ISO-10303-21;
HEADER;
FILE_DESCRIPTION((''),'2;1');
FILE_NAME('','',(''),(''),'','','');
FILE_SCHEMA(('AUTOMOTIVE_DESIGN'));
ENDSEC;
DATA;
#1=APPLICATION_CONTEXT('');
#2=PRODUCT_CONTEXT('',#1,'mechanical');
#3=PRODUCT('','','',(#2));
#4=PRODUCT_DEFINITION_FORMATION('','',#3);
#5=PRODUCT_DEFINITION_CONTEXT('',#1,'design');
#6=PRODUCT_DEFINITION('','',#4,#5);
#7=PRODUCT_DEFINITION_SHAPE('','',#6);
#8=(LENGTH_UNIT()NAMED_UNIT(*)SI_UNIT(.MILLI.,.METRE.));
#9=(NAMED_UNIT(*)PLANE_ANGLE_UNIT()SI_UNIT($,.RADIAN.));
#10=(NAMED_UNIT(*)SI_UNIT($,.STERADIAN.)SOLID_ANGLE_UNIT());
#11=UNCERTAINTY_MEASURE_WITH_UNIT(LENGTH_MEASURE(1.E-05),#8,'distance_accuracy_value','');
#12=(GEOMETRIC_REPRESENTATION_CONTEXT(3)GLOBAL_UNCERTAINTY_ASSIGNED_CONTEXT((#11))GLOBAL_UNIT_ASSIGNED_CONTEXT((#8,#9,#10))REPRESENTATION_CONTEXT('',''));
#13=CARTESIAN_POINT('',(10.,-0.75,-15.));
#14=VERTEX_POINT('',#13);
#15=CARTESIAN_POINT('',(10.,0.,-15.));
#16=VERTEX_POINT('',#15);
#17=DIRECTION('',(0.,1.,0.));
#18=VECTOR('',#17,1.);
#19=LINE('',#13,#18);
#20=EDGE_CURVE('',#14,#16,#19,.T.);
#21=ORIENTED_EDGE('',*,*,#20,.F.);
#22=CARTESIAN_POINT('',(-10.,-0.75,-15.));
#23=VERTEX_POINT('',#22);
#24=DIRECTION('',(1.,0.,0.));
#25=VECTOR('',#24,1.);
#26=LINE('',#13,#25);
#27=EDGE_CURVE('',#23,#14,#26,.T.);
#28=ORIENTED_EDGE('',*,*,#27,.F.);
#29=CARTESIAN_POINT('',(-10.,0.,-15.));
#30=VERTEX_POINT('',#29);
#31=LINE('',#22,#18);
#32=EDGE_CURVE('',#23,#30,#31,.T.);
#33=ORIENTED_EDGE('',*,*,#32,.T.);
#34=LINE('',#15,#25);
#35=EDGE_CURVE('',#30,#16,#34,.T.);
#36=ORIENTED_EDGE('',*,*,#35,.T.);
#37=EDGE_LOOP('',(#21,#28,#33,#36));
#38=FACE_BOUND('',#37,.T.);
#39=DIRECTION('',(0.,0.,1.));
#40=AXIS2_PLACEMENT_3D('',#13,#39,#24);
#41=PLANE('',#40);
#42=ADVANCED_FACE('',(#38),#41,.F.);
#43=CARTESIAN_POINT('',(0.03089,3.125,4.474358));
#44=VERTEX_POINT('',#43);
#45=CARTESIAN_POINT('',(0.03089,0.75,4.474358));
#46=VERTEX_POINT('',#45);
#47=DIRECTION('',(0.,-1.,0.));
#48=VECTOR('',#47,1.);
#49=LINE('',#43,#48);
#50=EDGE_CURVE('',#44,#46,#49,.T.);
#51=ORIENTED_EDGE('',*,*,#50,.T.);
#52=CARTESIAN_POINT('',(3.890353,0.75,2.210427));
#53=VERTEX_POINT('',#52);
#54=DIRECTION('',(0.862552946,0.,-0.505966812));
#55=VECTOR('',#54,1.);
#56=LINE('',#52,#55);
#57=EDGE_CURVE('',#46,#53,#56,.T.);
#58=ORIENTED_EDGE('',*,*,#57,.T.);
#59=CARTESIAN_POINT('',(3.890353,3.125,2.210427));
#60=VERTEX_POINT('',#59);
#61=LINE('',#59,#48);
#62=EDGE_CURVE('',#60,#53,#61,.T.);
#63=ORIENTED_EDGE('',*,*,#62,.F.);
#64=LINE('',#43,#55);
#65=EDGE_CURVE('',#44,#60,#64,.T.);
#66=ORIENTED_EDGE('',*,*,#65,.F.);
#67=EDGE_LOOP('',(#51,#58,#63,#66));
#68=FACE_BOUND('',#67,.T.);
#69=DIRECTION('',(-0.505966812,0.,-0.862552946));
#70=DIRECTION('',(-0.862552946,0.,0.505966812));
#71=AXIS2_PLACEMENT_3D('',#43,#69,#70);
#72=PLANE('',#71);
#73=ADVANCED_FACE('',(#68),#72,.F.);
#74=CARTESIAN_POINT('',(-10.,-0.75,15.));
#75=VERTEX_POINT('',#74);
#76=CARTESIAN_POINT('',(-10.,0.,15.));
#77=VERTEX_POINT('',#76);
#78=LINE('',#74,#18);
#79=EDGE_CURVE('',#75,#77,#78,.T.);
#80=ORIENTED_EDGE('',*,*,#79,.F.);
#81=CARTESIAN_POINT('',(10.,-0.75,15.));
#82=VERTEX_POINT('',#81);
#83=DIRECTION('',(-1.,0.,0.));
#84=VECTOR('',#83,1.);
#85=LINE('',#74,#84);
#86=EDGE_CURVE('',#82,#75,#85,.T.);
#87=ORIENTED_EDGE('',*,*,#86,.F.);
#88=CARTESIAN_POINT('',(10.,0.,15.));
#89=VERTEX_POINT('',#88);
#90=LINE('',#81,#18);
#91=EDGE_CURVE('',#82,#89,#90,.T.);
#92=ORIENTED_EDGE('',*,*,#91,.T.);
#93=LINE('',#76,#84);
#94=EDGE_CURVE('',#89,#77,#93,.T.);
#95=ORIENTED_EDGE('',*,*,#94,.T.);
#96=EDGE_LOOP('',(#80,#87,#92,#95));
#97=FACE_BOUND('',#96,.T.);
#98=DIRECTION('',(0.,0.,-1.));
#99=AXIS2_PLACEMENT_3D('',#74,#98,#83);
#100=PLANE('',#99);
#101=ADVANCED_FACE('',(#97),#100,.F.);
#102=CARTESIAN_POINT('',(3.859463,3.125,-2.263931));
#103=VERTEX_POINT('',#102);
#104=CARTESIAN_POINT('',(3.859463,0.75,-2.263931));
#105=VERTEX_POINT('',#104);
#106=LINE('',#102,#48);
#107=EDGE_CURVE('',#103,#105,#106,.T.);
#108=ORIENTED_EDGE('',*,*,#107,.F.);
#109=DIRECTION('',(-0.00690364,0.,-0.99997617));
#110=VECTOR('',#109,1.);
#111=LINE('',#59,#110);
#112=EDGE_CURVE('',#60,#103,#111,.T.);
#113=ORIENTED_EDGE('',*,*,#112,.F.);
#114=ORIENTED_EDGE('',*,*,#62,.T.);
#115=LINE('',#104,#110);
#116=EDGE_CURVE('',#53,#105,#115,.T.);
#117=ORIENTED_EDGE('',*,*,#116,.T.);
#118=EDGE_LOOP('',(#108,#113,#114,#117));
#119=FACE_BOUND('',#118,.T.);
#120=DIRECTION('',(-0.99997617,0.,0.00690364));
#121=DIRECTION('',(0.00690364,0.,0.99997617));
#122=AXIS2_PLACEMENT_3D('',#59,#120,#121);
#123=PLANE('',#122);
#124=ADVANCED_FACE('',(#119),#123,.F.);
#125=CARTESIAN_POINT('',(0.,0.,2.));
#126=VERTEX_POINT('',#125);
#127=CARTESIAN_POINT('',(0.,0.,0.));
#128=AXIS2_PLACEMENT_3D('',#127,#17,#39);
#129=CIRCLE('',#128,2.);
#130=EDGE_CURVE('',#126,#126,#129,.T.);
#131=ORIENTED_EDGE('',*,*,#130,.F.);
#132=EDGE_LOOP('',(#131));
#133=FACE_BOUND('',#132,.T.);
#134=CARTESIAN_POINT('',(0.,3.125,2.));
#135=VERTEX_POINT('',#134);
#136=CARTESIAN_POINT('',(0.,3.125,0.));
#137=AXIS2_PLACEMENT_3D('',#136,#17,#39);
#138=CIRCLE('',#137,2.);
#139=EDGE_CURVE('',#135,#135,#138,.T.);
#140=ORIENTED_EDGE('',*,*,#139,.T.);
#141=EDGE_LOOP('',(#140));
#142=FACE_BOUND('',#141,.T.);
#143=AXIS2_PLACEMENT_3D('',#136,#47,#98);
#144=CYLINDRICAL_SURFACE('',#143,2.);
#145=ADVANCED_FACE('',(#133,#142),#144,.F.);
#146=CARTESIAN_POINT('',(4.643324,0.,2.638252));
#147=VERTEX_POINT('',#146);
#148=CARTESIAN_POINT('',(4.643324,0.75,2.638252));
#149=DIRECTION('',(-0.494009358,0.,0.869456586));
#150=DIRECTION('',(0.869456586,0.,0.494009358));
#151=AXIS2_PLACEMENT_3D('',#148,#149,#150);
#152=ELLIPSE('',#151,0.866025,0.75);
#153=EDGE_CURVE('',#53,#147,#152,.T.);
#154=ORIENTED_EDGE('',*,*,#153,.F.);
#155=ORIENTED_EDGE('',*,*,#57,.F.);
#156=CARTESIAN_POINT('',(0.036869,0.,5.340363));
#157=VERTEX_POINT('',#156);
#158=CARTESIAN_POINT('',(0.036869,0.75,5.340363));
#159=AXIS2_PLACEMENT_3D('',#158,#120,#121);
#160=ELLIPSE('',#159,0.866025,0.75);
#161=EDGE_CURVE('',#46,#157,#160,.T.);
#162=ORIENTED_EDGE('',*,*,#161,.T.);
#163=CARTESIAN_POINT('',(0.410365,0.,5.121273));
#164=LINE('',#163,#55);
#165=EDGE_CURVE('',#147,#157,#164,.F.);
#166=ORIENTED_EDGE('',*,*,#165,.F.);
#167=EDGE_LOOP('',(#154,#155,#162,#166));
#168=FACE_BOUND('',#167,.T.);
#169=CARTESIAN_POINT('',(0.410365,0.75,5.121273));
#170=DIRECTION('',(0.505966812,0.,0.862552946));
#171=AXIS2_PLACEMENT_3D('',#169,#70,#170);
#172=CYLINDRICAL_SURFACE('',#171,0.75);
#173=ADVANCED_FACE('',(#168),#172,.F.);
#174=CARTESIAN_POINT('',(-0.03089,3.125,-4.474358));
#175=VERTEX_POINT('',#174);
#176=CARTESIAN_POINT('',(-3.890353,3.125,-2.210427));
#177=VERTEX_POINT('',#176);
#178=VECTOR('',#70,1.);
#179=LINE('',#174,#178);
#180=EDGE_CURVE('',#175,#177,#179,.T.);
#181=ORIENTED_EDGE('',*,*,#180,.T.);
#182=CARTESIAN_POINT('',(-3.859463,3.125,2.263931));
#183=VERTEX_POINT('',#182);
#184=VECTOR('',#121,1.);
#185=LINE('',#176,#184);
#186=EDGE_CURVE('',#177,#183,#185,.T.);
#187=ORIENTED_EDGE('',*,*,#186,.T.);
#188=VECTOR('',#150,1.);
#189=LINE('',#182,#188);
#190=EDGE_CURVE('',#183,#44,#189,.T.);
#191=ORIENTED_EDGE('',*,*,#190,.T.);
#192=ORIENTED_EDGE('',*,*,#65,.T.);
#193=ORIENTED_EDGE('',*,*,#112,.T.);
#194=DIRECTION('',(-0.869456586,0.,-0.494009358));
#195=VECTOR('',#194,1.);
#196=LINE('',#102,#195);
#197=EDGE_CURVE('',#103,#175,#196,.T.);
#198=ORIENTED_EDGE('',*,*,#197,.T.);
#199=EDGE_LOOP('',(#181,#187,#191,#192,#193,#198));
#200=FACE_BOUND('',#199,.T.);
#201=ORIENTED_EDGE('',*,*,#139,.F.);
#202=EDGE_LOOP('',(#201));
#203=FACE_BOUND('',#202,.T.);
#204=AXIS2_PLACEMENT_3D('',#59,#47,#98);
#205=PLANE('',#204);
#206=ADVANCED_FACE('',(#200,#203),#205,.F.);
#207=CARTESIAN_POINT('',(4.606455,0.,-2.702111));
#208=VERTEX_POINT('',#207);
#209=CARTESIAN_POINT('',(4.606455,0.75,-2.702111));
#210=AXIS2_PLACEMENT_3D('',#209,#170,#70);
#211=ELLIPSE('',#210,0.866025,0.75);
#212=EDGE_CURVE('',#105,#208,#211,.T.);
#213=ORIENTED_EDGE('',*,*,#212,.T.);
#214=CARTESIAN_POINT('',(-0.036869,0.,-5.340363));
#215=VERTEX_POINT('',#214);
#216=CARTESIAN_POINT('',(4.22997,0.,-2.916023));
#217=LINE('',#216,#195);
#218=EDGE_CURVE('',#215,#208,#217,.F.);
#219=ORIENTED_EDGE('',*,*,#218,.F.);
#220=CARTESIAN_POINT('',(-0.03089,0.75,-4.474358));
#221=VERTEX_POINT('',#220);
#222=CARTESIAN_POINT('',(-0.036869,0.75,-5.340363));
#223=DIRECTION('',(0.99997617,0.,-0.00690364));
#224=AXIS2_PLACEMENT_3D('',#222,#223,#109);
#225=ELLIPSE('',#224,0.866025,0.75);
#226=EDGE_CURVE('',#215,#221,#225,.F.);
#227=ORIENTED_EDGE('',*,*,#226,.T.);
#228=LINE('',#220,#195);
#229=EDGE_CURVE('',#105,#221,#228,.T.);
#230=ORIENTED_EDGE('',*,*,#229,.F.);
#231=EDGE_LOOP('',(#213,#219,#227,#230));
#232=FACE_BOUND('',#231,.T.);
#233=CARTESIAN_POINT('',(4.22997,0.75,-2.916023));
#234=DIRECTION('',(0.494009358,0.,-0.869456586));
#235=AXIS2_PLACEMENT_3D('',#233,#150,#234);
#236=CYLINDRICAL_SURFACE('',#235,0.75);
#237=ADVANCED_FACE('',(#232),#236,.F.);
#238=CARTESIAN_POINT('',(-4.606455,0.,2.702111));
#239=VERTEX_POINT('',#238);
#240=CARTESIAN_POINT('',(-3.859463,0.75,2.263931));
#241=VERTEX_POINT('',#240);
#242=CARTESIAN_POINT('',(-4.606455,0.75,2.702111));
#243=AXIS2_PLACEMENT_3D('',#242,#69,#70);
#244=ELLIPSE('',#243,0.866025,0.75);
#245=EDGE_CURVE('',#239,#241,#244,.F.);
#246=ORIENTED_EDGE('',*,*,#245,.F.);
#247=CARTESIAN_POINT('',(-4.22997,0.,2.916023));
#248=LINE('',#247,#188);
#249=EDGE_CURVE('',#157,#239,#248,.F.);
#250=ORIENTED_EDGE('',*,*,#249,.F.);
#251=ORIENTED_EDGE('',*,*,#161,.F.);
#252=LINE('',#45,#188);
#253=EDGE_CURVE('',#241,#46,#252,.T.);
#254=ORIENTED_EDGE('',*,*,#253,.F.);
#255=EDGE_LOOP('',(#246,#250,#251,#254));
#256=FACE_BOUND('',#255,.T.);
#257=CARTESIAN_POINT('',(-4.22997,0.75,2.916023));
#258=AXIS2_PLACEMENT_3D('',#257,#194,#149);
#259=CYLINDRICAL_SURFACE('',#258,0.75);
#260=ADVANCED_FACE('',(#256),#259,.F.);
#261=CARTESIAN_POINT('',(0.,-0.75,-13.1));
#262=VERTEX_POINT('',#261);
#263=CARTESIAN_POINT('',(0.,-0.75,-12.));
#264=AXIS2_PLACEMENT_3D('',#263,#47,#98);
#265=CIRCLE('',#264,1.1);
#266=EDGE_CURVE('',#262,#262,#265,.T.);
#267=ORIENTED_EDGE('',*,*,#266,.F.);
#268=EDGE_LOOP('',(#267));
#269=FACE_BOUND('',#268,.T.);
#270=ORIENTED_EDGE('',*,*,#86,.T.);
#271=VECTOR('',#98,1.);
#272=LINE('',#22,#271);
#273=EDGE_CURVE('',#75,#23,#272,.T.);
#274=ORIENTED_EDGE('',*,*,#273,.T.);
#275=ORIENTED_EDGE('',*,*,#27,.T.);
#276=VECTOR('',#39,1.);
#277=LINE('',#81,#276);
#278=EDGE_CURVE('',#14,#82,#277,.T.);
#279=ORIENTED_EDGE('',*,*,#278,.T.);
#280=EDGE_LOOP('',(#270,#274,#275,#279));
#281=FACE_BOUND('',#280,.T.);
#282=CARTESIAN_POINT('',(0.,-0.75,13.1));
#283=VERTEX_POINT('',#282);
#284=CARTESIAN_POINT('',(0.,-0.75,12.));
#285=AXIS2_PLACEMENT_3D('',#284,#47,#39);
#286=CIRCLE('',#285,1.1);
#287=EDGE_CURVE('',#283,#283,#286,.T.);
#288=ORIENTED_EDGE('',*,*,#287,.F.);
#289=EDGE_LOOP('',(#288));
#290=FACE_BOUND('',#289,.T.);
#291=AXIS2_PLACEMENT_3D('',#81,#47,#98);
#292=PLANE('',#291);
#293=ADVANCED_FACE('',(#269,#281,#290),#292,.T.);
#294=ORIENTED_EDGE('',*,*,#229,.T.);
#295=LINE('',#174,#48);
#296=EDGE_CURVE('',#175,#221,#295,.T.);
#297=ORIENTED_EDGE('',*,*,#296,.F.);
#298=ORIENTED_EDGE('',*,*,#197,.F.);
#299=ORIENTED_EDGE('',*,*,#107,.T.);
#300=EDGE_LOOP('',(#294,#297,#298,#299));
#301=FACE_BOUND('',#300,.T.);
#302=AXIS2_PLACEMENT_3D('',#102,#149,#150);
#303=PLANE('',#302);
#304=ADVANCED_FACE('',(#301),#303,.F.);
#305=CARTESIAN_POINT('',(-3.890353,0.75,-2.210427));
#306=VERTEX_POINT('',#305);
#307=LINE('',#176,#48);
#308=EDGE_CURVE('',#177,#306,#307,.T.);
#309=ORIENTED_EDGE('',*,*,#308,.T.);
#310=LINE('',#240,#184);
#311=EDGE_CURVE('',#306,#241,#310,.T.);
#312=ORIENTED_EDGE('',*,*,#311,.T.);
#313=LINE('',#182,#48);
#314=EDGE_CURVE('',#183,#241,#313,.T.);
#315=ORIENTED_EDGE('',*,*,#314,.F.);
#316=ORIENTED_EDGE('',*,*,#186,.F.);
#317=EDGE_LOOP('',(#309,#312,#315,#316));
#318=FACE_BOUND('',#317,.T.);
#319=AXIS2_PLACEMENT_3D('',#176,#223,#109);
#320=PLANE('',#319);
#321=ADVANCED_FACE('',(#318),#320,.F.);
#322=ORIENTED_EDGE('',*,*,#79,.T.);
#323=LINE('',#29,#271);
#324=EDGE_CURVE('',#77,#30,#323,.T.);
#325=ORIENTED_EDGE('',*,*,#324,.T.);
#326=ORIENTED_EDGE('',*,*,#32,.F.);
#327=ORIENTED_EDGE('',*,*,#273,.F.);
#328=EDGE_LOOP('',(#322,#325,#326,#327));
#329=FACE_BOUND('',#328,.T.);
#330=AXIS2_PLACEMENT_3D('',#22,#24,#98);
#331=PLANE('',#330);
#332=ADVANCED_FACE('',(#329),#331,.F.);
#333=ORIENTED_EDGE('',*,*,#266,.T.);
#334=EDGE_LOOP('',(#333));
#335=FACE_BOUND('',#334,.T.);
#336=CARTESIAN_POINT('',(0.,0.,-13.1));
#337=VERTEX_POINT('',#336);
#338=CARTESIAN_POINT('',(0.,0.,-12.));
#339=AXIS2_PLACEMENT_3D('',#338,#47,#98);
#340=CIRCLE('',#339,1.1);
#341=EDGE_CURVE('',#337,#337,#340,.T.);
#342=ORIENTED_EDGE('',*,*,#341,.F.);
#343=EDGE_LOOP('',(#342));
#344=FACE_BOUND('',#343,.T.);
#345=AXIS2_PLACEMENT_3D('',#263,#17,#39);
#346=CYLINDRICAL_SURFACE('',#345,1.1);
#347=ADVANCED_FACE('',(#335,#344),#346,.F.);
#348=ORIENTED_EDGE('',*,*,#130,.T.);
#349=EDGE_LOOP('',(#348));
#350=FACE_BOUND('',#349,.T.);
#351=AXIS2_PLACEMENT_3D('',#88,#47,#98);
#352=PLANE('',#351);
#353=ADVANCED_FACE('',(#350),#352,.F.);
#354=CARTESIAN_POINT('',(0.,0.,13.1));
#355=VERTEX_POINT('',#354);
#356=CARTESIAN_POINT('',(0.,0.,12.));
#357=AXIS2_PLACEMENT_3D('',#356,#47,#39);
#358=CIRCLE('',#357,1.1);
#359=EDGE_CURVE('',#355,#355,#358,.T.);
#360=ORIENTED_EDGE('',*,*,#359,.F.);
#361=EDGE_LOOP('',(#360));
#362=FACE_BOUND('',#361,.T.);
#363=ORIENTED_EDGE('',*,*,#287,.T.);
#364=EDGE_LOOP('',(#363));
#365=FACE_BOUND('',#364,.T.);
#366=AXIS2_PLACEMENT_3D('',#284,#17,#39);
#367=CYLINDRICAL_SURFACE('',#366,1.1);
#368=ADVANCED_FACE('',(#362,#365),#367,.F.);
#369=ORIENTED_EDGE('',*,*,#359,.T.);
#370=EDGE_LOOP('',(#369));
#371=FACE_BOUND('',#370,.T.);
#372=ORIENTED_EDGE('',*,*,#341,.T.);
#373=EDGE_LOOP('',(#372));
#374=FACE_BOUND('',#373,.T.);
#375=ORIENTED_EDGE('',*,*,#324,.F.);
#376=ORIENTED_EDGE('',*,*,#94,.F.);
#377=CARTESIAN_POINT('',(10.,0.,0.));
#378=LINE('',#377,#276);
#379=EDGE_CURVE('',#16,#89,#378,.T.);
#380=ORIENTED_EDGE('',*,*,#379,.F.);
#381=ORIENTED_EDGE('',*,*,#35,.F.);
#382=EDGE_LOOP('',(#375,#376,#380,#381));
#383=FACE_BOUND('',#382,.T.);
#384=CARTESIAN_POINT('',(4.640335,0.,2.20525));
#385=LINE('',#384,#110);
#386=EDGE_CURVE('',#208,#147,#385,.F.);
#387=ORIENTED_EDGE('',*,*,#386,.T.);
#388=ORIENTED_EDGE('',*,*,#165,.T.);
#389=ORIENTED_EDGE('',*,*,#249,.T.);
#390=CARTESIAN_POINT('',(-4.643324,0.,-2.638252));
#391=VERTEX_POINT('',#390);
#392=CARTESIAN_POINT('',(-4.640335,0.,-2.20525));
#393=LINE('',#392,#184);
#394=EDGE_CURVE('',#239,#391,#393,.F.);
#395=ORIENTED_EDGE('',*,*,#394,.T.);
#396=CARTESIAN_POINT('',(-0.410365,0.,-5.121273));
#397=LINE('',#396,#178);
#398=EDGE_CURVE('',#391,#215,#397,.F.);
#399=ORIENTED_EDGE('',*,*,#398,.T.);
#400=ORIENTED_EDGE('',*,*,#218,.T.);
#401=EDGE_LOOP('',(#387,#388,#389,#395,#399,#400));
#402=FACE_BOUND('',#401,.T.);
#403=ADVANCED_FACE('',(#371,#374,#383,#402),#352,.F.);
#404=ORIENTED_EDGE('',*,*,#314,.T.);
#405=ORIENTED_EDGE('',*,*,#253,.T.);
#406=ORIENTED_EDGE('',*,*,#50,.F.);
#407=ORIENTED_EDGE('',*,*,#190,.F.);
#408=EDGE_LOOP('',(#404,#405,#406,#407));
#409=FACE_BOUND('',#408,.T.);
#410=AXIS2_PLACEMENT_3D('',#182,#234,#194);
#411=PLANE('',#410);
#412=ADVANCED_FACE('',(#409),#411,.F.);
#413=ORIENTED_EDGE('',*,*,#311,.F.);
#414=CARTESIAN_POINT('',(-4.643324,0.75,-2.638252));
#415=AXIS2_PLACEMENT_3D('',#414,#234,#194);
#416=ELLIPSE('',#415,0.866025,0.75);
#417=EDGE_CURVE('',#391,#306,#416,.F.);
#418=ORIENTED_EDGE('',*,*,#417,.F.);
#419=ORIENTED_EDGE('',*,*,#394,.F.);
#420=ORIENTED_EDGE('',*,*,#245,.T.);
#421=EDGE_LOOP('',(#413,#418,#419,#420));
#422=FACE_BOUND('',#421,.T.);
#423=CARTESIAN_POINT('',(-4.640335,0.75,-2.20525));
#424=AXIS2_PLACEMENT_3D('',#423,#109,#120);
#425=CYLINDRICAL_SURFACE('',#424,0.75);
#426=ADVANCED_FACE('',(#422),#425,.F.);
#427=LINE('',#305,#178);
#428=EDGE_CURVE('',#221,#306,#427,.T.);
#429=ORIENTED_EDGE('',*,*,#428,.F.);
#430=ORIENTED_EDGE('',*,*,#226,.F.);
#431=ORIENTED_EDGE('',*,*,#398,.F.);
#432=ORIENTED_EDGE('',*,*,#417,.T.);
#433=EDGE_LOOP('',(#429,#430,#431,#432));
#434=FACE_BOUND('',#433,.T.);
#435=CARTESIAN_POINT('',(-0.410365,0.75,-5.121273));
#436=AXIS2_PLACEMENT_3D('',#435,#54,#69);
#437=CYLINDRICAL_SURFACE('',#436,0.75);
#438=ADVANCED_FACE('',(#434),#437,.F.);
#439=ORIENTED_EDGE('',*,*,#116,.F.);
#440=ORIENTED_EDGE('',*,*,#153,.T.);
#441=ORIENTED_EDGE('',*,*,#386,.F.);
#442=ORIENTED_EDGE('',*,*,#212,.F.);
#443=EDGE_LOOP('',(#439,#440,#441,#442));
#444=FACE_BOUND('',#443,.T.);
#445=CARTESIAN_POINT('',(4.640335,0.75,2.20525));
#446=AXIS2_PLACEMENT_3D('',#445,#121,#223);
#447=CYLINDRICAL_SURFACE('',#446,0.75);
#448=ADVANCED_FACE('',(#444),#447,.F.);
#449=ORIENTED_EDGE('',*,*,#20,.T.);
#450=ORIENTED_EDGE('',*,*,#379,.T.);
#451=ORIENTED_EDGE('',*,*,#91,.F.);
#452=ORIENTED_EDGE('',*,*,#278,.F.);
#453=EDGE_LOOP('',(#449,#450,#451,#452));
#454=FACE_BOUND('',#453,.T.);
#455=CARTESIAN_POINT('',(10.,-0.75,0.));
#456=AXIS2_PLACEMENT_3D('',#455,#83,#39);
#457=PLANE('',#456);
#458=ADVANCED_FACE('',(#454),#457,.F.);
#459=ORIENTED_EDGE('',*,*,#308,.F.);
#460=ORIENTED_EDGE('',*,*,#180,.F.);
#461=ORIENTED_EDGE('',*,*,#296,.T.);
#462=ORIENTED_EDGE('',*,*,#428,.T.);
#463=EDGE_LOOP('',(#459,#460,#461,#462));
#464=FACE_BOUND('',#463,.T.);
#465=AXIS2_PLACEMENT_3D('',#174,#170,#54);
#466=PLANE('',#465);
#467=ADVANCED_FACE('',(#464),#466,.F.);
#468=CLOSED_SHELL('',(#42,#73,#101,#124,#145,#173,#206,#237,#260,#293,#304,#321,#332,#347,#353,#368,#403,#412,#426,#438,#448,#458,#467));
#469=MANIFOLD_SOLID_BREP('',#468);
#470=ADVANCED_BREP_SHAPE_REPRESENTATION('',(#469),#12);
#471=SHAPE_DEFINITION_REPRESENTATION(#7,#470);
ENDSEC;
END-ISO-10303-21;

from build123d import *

# Parameters (mm, degrees)
SKETCH1_R      = 2
EXTRUDE1_DEPTH = 3.125
SKETCH2_R      = 1.1
EXTRUDE2_DEPTH = 0.75
FILLET1_R      = 0.75


with BuildPart() as part:
    # Sketch1 → Extrude1 (new body)
    with BuildSketch(Plane(origin=(0, 0, 0), x_dir=(1, 0, 0), z_dir=(0, 1, 0))):
        Polygon((3.859462612, 2.263930582), (-0.030890091, 4.474357958), (-3.890352703, 2.210427376), (-3.859462612, -2.263930582), (0.030890091, -4.474357958), (3.890352703, -2.210427376), align=None)
        with Locations(Location((0, 0, 0), (0, 0, 270))):  # turned: the seam where the file's is
            Circle(SKETCH1_R, mode=Mode.SUBTRACT)
    extrude(amount=EXTRUDE1_DEPTH)

    # Sketch2 → Extrude2 (add)
    with BuildSketch(Plane.XZ):
        Polygon((10, 0), (10, -15), (-10, -15), (-10, 15), (10, 15), align=None)
        with Locations(Location((0, -12, 0), (0, 0, 270))):  # turned: the seam where the file's is
            Circle(SKETCH2_R, mode=Mode.SUBTRACT)
        with Locations(Location((0, 12, 0), (0, 0, 90))):  # turned: the seam where the file's is
            Circle(SKETCH2_R, mode=Mode.SUBTRACT)
    extrude(amount=EXTRUDE2_DEPTH)

    # Fillet1
    fillet1_edges = [part.edges().sort_by_distance(p)[0] for p in [
        (1.960621397, 0, 3.342392667),
        (-1.91428626, 0, 3.36914427),
        (-3.874907657, 0, 0.026751603),
        (-1.960621397, 0, -3.342392667),
        (1.91428626, 0, -3.36914427),
        (3.874907657, 0, -0.026751603),
    ]]
    fillet(fillet1_edges, radius=FILLET1_R)


solid = part.part
